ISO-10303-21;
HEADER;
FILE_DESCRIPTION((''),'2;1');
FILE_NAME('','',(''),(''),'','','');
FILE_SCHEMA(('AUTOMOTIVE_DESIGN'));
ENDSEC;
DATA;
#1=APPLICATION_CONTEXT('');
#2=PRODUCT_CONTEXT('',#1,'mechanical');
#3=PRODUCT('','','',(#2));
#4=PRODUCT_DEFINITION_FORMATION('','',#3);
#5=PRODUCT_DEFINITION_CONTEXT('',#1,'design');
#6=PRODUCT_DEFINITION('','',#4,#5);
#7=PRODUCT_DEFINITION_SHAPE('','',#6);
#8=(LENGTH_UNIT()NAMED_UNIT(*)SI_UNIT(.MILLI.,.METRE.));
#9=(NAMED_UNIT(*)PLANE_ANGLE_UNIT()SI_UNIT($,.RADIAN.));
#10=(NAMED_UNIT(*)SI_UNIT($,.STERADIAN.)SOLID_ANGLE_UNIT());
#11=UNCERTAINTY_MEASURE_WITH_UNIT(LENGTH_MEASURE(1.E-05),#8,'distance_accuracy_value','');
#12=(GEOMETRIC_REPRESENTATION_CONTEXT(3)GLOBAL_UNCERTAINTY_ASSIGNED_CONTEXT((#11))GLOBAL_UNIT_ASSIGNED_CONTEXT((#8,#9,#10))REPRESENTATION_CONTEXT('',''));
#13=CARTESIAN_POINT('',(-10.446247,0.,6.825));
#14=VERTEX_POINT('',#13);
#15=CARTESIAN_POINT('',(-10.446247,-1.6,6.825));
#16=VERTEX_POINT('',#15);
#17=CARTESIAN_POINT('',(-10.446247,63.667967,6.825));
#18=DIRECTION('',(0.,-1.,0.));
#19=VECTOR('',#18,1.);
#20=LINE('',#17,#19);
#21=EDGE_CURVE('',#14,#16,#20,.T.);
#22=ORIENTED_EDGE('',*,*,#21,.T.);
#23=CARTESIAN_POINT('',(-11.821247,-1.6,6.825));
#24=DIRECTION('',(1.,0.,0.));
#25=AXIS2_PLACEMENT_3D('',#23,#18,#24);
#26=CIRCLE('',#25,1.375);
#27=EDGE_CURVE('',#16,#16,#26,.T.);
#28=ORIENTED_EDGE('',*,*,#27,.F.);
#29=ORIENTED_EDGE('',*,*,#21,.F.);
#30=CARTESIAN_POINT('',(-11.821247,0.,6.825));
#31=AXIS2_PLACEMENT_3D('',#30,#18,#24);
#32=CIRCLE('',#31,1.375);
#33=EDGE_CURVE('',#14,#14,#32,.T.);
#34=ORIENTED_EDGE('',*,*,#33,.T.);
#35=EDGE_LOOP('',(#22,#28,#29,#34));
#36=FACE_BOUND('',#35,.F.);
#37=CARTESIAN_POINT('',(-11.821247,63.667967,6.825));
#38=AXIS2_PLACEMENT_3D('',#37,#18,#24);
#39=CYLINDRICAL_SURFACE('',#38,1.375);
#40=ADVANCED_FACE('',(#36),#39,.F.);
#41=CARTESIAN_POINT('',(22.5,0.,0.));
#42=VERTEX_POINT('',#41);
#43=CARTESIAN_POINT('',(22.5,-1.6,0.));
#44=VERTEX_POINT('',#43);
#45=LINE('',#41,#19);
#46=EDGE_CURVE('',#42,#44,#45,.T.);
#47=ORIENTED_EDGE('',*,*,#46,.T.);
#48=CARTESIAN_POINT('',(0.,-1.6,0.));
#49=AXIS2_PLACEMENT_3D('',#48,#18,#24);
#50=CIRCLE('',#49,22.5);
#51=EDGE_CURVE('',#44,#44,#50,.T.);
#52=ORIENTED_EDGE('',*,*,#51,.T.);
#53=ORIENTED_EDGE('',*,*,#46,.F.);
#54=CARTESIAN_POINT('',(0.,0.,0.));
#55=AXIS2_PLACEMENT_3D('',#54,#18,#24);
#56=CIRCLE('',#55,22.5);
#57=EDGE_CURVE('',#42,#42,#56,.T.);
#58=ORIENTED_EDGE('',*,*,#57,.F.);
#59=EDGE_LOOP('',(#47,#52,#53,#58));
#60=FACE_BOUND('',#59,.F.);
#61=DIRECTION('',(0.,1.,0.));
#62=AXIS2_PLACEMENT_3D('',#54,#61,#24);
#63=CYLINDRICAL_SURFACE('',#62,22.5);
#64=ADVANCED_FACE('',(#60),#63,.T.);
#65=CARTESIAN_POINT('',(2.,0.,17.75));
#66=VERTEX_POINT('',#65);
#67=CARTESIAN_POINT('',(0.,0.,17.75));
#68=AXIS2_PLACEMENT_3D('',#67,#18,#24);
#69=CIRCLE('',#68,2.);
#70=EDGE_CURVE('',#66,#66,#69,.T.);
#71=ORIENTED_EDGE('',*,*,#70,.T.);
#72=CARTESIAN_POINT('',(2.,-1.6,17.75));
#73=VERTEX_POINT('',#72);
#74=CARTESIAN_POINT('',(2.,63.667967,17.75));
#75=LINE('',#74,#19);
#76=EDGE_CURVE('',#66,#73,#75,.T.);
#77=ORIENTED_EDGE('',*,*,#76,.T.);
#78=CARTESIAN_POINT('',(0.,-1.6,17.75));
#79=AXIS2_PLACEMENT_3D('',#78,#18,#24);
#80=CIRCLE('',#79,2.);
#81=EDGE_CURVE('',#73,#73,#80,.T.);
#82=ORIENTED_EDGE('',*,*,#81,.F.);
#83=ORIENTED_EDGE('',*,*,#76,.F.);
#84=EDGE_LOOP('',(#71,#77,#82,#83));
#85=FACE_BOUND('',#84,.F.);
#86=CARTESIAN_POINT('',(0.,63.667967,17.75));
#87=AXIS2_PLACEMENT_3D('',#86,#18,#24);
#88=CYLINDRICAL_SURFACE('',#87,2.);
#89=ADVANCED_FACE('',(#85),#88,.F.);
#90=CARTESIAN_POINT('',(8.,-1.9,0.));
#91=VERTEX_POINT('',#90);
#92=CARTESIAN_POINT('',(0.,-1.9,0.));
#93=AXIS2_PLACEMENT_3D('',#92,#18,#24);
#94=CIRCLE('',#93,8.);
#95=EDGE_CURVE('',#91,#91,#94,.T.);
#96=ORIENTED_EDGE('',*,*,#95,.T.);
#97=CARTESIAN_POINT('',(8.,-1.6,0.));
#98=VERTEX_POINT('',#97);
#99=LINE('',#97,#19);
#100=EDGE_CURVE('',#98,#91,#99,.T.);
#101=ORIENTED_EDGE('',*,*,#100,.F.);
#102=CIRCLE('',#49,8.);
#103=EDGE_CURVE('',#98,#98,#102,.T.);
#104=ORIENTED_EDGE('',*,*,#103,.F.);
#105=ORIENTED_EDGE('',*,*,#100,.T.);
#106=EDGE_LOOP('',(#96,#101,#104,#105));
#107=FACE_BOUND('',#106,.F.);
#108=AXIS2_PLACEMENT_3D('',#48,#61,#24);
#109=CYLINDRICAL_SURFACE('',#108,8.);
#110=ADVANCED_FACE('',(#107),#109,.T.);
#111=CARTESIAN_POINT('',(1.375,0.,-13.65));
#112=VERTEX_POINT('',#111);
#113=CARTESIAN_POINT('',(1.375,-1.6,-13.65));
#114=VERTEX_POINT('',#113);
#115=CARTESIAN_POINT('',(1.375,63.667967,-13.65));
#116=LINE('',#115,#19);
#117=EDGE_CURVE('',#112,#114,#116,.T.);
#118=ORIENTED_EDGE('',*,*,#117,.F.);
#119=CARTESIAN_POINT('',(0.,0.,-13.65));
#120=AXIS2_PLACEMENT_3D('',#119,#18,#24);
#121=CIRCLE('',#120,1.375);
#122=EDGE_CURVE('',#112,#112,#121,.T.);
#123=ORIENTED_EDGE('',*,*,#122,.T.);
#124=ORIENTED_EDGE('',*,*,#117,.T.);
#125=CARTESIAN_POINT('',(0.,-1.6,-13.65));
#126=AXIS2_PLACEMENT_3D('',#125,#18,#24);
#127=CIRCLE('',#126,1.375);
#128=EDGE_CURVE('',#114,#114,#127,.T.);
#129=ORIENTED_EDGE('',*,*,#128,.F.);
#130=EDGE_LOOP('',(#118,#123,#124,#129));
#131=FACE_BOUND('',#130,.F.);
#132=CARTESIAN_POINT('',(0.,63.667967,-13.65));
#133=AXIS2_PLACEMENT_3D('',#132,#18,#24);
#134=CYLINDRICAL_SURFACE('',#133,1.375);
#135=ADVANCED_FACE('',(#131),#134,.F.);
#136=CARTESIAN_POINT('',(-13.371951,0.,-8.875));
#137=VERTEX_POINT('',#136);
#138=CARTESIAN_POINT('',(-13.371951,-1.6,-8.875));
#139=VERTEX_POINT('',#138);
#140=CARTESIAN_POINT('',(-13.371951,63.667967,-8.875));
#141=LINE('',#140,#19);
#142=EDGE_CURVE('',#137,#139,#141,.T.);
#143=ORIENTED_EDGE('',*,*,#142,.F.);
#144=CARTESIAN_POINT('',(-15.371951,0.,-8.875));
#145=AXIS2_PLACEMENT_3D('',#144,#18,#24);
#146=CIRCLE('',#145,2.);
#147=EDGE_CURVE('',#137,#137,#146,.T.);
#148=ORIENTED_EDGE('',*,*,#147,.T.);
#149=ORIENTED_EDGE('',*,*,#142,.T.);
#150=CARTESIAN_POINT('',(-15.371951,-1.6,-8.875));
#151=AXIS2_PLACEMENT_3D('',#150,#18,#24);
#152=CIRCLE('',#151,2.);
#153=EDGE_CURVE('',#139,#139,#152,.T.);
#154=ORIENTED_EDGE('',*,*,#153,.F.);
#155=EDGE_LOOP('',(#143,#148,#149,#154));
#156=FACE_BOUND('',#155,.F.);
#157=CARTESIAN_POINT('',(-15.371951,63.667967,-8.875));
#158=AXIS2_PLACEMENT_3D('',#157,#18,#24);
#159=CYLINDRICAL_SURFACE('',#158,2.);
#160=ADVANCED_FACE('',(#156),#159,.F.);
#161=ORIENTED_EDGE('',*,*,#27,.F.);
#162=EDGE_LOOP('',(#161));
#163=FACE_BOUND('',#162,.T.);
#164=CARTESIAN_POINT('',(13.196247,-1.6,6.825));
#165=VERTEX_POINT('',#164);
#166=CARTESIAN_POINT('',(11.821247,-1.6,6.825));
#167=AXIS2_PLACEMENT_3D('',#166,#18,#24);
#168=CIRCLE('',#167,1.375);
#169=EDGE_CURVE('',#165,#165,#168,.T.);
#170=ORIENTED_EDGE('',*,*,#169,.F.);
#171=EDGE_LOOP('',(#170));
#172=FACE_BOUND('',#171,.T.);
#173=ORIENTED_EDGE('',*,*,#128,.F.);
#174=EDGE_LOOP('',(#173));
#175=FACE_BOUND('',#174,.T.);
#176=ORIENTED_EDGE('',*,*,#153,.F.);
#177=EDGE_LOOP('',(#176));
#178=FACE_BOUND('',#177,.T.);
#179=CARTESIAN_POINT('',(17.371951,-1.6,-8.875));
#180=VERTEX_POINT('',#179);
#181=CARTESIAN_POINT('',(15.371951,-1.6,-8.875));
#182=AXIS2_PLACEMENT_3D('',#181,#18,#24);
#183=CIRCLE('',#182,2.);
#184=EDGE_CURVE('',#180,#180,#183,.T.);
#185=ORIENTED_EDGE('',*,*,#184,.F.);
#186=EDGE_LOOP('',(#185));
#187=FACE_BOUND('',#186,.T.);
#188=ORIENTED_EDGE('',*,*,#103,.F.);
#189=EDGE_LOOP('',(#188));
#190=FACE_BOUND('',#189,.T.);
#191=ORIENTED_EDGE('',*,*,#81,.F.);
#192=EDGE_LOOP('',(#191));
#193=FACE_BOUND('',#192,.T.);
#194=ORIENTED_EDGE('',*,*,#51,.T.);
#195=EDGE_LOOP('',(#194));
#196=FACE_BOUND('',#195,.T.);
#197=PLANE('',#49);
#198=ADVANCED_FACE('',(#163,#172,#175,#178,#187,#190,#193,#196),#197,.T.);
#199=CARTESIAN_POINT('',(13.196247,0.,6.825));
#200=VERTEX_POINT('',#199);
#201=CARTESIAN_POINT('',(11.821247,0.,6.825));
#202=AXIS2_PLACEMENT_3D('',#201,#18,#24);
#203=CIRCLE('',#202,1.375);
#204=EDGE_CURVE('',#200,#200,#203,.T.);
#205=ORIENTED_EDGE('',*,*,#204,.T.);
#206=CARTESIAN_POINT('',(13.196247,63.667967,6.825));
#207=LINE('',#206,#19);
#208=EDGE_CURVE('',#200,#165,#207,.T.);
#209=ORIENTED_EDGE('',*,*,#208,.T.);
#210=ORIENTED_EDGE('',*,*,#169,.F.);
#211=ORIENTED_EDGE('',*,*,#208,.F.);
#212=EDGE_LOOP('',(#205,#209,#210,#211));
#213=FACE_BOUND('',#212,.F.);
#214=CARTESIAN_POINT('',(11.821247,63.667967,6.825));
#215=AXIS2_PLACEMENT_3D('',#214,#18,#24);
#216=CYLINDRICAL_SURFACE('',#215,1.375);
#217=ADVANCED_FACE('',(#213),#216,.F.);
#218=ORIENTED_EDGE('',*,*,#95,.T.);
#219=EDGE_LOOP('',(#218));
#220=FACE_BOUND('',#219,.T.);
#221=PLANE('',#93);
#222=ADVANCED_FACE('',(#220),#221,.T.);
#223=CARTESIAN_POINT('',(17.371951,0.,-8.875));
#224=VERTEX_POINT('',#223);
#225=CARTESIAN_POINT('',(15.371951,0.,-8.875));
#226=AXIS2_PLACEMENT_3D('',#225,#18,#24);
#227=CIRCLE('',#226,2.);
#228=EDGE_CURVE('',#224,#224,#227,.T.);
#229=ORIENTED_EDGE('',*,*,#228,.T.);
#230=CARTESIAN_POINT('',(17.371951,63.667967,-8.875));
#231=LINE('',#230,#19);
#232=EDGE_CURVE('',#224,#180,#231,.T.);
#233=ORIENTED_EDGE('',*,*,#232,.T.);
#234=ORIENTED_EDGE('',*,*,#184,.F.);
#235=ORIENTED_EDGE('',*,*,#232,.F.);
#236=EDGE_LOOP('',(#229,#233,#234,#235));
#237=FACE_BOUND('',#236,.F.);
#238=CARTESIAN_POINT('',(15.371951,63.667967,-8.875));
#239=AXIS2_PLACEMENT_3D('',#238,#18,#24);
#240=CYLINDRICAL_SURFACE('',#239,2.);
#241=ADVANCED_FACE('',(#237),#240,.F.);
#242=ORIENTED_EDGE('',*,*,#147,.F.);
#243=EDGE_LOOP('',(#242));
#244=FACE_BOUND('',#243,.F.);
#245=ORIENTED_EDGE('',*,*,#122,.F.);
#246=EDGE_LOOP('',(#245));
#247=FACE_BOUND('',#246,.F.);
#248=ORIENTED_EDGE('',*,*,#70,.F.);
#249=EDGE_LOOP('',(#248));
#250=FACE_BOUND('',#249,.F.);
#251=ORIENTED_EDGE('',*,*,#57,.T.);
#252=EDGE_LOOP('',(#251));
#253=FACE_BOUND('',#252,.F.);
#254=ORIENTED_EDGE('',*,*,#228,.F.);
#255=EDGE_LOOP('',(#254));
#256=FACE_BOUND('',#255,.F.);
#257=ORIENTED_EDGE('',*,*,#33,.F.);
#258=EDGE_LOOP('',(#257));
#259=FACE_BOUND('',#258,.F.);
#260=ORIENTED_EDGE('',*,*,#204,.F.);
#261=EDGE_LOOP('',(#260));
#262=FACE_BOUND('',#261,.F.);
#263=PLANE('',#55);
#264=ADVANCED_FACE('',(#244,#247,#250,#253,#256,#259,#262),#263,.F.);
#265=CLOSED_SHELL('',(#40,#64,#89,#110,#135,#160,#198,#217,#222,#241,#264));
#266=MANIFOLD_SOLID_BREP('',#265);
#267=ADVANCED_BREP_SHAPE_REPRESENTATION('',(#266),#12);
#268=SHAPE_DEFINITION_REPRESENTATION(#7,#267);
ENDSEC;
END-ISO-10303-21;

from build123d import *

# Parameters (mm, degrees)
F0_R     = 22.5
F1_DEPTH = 1.6
F2_R     = 8
F3_DEPTH = 0.3
F5_D     = 4
F7_D     = 2.75


with BuildPart() as f1:
    # F0 (on Front) → F1 (new body)
    with BuildSketch(Plane.XZ):
        Circle(F0_R)
    extrude(amount=F1_DEPTH)

    # F2 (on face) → F3 (join)
    with BuildSketch(Plane.XZ.offset(1.6)):
        Circle(F2_R)
    extrude(amount=F3_DEPTH)

    # F5 (through all)
    with Locations(Plane(origin=(0, 0, 0), x_dir=(-1, 0, 0), z_dir=(0, 1, 0))):
        with Locations((0, 17.75), (-15.371951, -8.875), (15.371951, -8.875)):
            Hole(F5_D / 2)

    # F7 (through all)
    with Locations(Plane(origin=(0, 0, 0), x_dir=(-1, 0, 0), z_dir=(0, 1, 0))):
        with Locations((11.821247, 6.825), (0, -13.65), (-11.821247, 6.825)):
            Hole(F7_D / 2)


solid = f1.part
